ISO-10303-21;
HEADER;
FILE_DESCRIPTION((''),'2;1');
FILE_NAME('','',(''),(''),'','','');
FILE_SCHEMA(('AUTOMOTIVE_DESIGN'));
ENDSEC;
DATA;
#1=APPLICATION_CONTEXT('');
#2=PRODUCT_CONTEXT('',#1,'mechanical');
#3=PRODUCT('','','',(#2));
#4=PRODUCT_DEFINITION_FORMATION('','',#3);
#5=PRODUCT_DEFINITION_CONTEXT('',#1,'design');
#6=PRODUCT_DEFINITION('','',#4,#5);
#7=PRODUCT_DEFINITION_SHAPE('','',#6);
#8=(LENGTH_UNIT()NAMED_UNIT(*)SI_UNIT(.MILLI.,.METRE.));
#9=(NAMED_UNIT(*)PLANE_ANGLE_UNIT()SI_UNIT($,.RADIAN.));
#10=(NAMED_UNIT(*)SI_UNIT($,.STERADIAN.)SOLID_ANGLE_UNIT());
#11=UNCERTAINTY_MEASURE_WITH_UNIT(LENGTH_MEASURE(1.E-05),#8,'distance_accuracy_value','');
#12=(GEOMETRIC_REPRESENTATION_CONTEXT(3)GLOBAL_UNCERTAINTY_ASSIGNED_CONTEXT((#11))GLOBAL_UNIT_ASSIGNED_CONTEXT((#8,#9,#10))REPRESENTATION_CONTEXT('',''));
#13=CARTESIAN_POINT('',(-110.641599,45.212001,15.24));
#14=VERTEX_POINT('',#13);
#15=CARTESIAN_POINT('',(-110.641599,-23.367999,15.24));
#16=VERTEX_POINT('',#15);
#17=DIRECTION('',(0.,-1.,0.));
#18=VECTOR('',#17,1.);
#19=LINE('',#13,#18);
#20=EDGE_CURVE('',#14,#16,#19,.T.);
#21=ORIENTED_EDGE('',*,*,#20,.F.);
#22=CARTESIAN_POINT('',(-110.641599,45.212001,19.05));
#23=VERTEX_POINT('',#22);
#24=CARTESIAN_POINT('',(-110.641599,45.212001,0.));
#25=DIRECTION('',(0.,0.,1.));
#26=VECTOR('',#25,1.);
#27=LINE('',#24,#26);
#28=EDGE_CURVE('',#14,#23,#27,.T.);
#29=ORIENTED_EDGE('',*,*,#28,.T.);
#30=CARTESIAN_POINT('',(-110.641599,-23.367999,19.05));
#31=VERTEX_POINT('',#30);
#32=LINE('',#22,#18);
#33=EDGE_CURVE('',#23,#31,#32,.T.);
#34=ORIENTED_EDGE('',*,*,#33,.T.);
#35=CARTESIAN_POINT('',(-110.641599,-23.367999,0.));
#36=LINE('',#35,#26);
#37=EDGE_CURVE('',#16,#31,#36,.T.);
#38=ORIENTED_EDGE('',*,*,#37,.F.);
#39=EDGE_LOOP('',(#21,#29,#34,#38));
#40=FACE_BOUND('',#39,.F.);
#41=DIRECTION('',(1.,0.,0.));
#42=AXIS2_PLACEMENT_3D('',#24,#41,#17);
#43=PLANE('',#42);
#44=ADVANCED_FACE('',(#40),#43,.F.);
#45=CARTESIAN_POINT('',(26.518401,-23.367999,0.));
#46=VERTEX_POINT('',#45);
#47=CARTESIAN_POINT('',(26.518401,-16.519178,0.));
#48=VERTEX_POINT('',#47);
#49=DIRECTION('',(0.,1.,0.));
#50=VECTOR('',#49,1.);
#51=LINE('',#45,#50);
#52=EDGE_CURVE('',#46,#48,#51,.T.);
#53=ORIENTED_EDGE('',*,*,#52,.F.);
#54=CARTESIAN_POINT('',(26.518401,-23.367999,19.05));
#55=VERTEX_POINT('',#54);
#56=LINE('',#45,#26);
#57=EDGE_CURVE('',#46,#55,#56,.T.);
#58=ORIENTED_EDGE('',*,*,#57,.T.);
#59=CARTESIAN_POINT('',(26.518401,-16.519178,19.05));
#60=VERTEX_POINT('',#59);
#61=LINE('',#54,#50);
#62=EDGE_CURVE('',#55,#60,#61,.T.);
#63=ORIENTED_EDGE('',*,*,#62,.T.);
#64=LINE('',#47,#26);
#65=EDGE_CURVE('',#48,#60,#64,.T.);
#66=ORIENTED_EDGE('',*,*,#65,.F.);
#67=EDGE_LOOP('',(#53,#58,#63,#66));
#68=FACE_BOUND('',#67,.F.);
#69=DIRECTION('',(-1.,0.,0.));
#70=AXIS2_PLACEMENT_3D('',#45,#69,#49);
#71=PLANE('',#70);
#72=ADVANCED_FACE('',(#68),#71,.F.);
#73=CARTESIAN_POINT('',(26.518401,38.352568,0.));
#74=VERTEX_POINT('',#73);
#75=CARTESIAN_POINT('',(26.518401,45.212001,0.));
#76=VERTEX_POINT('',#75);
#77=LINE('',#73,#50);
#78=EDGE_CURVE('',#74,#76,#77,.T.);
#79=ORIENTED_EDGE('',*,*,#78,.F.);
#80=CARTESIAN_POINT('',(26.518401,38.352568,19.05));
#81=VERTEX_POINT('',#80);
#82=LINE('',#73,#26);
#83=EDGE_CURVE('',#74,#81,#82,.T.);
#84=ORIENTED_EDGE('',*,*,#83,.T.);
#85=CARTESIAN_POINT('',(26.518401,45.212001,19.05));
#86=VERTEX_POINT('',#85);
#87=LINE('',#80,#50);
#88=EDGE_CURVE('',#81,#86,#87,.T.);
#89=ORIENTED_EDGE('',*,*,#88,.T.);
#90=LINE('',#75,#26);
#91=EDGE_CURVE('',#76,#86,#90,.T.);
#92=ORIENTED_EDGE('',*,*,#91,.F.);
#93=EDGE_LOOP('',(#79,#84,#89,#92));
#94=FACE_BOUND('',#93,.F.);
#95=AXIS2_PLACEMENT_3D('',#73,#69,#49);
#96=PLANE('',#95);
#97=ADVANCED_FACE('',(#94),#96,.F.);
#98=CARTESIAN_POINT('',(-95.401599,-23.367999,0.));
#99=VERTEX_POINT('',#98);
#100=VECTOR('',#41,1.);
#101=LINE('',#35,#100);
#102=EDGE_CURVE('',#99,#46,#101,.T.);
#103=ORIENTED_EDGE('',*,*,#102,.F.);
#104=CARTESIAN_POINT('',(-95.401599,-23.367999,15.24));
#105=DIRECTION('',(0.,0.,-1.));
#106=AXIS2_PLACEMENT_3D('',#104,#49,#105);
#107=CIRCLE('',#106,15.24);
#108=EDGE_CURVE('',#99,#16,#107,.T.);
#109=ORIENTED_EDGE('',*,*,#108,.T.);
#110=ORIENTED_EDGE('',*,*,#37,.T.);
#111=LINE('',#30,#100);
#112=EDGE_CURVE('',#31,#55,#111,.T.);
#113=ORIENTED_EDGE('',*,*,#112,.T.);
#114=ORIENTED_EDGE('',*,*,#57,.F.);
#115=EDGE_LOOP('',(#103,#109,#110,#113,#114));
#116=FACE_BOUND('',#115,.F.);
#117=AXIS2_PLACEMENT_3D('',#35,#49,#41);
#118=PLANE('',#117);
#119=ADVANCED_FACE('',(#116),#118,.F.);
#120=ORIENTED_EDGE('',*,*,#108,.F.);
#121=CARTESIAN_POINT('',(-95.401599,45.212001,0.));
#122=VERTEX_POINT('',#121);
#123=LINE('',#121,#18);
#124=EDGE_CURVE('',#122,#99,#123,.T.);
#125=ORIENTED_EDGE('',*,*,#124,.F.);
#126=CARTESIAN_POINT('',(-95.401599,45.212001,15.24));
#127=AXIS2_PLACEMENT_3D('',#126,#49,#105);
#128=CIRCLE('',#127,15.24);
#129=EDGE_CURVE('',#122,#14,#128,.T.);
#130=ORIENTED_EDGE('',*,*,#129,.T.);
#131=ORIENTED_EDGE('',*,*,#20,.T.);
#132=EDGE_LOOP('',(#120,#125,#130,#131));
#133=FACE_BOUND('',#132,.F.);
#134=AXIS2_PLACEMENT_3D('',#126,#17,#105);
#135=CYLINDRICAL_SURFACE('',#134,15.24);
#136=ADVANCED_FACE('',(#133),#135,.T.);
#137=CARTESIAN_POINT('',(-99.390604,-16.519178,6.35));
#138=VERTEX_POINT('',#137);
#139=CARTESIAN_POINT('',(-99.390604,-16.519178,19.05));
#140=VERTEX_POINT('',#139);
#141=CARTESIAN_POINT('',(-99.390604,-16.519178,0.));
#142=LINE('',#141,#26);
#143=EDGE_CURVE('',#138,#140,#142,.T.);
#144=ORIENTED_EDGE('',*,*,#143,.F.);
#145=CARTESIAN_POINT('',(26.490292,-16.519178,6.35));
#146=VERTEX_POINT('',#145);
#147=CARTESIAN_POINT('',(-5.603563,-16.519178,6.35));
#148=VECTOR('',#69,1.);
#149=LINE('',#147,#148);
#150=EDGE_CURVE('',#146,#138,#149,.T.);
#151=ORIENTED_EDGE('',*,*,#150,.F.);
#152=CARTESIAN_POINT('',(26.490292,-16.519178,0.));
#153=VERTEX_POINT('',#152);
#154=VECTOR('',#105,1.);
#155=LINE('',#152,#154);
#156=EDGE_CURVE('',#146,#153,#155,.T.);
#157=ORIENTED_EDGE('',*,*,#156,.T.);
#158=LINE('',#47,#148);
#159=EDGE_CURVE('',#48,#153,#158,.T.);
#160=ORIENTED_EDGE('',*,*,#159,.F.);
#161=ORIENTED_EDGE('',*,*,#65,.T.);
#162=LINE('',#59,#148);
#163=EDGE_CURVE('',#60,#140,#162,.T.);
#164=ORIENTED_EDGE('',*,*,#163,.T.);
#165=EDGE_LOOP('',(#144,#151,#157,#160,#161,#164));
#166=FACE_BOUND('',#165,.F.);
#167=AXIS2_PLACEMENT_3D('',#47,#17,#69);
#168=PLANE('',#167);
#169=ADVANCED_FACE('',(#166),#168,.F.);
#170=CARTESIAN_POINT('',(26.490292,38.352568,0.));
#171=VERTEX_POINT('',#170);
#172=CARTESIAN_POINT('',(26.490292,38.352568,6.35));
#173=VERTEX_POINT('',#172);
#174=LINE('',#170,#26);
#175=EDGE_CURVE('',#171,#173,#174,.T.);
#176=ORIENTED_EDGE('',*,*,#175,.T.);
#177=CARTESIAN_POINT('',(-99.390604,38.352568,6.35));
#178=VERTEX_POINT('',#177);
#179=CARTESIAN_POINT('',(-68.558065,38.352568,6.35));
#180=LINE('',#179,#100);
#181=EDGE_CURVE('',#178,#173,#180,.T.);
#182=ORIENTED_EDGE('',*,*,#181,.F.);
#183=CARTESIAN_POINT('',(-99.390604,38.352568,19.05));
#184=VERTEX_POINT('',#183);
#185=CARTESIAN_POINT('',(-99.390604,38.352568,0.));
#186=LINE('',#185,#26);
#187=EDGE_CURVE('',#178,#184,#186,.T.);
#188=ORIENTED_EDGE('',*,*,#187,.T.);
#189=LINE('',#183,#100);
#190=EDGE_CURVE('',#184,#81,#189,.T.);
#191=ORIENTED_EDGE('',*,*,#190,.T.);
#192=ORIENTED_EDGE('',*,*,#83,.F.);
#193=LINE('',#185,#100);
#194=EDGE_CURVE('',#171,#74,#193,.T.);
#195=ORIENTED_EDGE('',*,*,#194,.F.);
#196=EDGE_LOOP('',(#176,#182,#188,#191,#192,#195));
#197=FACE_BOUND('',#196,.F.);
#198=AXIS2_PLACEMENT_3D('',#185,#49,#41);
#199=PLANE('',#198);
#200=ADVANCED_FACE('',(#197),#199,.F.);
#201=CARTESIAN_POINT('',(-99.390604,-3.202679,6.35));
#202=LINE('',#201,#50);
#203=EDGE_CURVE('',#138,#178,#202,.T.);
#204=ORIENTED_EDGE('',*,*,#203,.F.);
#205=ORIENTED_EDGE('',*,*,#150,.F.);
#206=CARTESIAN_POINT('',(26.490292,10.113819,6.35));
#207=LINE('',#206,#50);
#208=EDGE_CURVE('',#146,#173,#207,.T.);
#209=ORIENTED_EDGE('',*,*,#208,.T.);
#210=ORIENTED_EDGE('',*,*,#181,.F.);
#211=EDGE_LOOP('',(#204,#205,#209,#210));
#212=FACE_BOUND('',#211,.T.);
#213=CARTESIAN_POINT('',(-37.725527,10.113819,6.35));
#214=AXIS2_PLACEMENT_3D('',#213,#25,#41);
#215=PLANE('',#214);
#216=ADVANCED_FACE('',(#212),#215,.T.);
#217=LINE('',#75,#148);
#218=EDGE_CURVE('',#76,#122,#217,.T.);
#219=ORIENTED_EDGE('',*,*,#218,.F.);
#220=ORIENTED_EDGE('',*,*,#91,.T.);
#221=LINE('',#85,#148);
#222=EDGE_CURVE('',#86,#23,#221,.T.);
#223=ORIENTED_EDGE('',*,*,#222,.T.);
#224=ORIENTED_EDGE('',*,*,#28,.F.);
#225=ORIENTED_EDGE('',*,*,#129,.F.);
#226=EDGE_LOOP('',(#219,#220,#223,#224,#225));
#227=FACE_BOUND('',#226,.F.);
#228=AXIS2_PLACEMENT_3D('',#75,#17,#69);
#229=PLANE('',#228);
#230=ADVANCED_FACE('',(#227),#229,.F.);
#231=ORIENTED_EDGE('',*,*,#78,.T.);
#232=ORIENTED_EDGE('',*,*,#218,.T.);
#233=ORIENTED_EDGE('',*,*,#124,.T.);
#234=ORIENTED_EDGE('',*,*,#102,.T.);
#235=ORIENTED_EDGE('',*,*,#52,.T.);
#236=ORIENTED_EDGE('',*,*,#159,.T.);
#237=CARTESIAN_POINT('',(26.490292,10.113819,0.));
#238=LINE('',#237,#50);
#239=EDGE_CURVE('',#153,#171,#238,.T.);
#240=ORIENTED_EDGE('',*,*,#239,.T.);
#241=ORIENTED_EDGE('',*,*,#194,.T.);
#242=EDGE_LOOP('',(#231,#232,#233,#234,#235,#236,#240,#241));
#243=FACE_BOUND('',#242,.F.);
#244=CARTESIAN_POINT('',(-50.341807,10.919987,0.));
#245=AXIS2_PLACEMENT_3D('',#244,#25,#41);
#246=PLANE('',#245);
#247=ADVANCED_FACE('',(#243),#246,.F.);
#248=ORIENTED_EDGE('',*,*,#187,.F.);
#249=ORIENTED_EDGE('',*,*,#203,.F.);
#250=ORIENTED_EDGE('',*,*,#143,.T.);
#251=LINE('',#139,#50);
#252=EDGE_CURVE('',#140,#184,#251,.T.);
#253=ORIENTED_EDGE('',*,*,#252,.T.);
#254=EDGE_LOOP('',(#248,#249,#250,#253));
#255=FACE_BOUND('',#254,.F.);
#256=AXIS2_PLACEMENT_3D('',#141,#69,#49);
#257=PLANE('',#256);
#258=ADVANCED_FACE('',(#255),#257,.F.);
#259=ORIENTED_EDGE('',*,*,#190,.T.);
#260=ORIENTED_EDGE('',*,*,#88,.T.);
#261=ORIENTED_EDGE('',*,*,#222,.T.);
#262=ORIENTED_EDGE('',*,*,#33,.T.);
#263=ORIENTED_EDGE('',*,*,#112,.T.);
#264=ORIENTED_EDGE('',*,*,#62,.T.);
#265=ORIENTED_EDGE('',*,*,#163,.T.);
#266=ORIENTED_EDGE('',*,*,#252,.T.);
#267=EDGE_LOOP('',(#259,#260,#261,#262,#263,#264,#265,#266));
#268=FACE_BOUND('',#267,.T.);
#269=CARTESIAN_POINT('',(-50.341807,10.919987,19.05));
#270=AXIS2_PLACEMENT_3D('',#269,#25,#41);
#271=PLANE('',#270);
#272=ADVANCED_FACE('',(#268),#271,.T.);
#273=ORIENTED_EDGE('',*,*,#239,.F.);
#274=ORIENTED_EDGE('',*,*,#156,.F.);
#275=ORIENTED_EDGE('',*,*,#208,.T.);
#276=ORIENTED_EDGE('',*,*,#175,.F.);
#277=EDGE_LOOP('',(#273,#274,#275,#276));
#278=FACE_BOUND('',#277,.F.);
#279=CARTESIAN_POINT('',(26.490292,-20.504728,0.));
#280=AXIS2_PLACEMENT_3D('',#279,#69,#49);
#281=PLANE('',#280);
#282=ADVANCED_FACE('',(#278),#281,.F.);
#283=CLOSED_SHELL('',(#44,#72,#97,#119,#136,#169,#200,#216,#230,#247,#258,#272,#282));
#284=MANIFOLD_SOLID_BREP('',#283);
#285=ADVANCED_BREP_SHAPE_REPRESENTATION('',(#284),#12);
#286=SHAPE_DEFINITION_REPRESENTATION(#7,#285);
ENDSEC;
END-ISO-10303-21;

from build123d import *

# Parameters (mm, degrees)
F1_DEPTH = 19.05
F2_W     = 128.431639
F2_H     = 61.237093
F3_DEPTH = 6.35
F4_R     = 15.24


with BuildPart() as f1:
    # F0 (on Top) → F1 (new body)
    with BuildSketch(Plane.XY):
        Polygon((-110.641599, 45.212001), (-110.641599, -23.367999), (26.518401, -23.367999), (26.518401, -16.519178), (-99.390604, -16.519178), (-99.390604, 38.352568), (26.518401, 38.352568), (26.518401, 45.212001), align=None)
    extrude(amount=F1_DEPTH)

    # F2 (on Top) → F3 (join)
    with BuildSketch(Plane.XY):
        with Locations((-37.725527, 10.113819)):
            Rectangle(F2_W, F2_H)
    extrude(amount=F3_DEPTH)

    # F4
    f4_edges = [f1.edges().sort_by_distance(p)[0] for p in [
        (-110.641599, 10.922001, 0),
    ]]
    fillet(f4_edges, radius=F4_R)


solid = f1.part
